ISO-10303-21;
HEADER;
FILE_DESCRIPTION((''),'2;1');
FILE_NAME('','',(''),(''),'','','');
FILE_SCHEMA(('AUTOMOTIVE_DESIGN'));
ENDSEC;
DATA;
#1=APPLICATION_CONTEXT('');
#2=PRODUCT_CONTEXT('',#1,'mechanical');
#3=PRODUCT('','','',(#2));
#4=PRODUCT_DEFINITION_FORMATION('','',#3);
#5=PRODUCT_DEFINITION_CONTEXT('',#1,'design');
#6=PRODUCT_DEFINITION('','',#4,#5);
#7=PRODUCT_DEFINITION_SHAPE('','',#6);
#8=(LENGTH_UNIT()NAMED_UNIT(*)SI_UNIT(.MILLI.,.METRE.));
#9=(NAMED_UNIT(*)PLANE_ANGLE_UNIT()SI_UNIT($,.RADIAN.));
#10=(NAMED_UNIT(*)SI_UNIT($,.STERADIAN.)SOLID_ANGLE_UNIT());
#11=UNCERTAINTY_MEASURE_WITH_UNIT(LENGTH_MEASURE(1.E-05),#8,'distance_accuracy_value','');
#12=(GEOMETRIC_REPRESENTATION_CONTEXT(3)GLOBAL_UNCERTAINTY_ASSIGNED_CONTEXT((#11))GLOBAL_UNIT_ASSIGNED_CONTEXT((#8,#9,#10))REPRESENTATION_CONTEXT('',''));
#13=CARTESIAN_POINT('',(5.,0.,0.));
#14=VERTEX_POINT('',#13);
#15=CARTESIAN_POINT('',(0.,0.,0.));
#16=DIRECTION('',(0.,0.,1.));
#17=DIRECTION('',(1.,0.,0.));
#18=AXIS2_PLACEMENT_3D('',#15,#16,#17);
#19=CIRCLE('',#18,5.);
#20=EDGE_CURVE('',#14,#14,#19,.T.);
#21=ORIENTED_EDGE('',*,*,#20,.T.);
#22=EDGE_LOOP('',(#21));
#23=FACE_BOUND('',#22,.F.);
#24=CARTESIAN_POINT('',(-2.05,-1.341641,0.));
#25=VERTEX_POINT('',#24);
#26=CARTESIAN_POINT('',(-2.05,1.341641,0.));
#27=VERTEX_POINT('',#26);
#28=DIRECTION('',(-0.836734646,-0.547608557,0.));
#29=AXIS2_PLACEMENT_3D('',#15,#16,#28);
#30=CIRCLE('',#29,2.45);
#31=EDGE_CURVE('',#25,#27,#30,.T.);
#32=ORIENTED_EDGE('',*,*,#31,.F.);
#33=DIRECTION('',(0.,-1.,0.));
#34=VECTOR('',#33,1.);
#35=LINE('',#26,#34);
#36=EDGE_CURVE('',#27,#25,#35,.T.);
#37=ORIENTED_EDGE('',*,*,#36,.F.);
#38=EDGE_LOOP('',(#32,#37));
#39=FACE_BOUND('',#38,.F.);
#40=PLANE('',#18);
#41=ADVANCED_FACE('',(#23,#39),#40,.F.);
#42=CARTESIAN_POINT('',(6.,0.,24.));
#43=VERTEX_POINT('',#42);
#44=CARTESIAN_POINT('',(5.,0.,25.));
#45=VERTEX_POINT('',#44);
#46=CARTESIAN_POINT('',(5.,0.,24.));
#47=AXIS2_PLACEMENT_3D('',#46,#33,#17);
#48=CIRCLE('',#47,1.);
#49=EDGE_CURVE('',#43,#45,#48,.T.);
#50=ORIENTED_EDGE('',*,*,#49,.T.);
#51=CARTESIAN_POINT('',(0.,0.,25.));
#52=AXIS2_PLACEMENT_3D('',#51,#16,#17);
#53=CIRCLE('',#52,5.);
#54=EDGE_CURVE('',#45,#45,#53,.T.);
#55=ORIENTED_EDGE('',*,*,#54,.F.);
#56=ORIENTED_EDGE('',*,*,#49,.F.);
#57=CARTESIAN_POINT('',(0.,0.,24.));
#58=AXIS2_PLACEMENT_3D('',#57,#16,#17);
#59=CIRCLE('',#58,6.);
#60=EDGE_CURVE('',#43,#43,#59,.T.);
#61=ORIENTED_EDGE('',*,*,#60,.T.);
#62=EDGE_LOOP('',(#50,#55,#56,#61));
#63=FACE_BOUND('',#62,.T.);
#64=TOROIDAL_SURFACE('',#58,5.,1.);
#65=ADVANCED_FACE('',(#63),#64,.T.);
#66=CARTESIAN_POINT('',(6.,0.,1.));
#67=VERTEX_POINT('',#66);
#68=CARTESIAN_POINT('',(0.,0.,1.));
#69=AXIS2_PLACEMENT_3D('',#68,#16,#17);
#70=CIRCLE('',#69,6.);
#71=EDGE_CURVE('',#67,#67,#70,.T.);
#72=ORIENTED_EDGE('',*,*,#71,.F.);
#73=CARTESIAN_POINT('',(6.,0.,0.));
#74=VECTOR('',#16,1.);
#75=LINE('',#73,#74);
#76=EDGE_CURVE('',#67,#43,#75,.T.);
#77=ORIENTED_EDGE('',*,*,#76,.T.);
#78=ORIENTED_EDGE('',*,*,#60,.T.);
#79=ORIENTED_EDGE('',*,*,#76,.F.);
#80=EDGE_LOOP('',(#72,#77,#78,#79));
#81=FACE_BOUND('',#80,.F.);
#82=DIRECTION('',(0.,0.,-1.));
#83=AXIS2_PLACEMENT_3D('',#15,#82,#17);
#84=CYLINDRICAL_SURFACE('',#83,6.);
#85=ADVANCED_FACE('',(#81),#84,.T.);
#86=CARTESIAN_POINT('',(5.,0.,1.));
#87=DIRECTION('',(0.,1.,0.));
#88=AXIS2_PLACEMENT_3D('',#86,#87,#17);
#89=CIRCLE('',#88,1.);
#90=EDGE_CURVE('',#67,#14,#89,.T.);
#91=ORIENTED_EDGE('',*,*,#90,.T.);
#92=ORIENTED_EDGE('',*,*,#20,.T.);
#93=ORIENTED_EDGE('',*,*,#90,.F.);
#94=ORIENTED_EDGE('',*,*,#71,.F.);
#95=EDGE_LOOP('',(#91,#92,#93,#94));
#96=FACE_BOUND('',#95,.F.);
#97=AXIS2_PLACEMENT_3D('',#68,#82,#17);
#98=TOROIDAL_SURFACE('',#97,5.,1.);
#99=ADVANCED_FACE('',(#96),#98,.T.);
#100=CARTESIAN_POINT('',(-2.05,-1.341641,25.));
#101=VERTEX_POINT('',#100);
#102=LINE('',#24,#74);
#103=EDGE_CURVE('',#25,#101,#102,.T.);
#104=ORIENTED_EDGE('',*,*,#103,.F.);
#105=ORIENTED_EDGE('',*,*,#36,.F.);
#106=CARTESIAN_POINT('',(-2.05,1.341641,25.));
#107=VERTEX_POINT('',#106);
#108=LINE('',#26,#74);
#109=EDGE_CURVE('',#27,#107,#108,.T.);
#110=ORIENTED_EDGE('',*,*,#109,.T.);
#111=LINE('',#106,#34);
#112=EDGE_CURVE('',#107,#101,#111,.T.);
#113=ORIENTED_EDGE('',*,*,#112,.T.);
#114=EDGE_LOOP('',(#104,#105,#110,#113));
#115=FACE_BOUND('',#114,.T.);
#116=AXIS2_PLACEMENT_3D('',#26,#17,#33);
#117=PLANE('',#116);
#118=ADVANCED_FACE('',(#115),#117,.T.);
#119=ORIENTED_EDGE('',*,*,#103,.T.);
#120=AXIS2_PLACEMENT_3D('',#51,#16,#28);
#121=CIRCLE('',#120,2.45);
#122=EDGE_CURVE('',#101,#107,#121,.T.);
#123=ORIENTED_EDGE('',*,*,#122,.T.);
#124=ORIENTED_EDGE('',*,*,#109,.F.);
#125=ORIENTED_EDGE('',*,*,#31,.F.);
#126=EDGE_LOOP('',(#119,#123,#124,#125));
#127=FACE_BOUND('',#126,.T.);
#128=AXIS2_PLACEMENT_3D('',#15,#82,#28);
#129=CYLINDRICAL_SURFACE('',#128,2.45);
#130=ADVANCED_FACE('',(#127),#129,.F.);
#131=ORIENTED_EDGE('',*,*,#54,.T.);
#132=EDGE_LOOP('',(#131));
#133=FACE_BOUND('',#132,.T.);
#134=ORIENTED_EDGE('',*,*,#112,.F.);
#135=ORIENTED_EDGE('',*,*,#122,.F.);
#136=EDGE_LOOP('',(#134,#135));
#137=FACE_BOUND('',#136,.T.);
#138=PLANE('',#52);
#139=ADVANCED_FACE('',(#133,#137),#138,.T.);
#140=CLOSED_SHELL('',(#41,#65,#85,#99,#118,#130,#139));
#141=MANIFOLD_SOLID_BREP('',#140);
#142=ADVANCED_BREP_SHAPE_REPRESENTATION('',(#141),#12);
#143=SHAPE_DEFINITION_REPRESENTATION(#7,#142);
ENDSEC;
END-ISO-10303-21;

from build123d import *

# Parameters (mm, degrees)
F0_R     = 6
F2_DEPTH = 25
F3_DEPTH = 25
F4_R     = 1


with BuildPart() as f2:
    # F0 (on Top) → F2 (new body)
    with BuildSketch(Plane.XY):
        Circle(F0_R)
    extrude(amount=F2_DEPTH)

    # F1 (on Top) → F3 (cut)
    with BuildSketch(Plane.XY):
        with BuildLine():
            Line((-2.05, 1.341641), (-2.05, -1.341641))
            ThreePointArc((-2.05, -1.341641), (2.45, 0), (-2.05, 1.341641))
        make_face()
    extrude(amount=F3_DEPTH, mode=Mode.SUBTRACT)

    # F4
    f4_edges = [f2.edges().sort_by_distance(p)[0] for p in [
        (-6, 0, 25),
        (-6, 0, 0),
    ]]
    fillet(f4_edges, radius=F4_R)


solid = f2.part
